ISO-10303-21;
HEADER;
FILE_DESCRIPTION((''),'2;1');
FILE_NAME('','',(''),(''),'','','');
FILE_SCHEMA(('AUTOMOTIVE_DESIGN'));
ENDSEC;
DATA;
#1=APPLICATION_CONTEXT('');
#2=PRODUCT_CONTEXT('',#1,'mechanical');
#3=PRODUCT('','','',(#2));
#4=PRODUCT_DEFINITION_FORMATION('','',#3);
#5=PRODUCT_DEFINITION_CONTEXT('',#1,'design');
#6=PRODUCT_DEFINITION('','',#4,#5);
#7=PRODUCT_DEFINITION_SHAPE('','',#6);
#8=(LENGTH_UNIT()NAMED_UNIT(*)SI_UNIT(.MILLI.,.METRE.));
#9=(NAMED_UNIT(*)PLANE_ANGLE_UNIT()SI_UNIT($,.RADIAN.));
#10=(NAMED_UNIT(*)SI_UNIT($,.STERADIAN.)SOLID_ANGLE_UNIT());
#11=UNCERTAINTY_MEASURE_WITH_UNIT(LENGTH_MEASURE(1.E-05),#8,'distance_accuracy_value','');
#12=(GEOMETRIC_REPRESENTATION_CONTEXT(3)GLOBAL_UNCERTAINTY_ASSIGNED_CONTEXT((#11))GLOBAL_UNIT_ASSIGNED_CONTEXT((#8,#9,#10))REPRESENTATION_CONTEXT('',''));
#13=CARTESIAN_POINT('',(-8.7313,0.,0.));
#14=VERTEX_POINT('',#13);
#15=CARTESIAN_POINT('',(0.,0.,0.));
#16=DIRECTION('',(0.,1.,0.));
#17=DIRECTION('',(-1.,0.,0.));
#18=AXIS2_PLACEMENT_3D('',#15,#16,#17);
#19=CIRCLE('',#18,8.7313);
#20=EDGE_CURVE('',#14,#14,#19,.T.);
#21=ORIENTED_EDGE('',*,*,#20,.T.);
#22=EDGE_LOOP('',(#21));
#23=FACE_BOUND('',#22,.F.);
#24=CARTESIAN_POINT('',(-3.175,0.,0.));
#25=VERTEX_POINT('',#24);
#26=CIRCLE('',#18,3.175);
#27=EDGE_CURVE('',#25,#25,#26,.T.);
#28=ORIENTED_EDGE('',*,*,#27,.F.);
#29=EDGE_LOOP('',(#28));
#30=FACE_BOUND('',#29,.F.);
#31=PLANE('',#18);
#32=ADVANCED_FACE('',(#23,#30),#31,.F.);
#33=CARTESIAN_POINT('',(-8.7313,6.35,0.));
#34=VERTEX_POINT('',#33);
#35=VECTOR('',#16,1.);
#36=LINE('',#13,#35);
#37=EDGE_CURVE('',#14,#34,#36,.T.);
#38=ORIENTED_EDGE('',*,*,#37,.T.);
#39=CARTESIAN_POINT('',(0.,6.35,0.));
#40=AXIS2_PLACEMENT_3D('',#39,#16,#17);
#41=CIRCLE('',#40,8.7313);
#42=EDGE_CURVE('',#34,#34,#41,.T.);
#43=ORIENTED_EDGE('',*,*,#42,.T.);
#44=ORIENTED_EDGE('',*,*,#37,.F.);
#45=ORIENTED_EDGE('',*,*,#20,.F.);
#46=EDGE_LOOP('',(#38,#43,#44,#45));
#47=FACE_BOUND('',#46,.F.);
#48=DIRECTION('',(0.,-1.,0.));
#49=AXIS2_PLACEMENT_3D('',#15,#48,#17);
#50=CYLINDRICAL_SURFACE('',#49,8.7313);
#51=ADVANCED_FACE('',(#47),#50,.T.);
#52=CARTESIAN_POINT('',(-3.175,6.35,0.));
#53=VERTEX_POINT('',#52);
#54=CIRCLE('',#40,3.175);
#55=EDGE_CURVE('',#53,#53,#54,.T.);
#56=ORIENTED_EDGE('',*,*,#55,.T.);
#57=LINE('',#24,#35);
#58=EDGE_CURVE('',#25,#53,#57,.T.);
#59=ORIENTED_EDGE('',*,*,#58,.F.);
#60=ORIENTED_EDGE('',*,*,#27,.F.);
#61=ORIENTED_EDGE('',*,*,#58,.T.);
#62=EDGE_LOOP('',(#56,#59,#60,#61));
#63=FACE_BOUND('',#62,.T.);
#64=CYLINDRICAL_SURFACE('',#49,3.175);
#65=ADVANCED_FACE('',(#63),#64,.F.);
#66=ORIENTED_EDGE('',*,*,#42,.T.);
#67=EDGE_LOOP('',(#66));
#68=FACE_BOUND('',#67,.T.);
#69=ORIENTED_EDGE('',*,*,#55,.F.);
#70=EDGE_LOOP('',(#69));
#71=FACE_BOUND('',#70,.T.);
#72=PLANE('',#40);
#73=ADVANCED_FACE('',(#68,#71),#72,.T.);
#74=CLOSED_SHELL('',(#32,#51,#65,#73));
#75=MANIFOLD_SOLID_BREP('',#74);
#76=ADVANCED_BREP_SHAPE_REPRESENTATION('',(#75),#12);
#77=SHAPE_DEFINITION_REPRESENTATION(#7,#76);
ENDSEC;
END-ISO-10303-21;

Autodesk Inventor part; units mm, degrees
ref_plane "YZ Plane" through (0, 0, 0) normal (1, 0, 0) x (0, 1, 0)
ref_plane "XZ Plane" through (0, 0, 0) normal (0, 1, 0) x (-1, 0, 0)
ref_plane "XY Plane" through (0, 0, 0) normal (0, 0, 1) x (1, 0, 0)
sketch "Sketch1" plane through (0, 0, 0) normal (0, 1, 0) x (-1, 0, 0)
  circle A0 centre (0, 0) radius 8.7313
  circle A1 centre (0, 0) radius 3.175
  dimension "d0" = 17.4625
  dimension "d1" = 6.35
extrude "Extrusion1" add sketch "Sketch1" along normal blind 6.35
properties part number "Torquing_Bearing" material "Steel"
